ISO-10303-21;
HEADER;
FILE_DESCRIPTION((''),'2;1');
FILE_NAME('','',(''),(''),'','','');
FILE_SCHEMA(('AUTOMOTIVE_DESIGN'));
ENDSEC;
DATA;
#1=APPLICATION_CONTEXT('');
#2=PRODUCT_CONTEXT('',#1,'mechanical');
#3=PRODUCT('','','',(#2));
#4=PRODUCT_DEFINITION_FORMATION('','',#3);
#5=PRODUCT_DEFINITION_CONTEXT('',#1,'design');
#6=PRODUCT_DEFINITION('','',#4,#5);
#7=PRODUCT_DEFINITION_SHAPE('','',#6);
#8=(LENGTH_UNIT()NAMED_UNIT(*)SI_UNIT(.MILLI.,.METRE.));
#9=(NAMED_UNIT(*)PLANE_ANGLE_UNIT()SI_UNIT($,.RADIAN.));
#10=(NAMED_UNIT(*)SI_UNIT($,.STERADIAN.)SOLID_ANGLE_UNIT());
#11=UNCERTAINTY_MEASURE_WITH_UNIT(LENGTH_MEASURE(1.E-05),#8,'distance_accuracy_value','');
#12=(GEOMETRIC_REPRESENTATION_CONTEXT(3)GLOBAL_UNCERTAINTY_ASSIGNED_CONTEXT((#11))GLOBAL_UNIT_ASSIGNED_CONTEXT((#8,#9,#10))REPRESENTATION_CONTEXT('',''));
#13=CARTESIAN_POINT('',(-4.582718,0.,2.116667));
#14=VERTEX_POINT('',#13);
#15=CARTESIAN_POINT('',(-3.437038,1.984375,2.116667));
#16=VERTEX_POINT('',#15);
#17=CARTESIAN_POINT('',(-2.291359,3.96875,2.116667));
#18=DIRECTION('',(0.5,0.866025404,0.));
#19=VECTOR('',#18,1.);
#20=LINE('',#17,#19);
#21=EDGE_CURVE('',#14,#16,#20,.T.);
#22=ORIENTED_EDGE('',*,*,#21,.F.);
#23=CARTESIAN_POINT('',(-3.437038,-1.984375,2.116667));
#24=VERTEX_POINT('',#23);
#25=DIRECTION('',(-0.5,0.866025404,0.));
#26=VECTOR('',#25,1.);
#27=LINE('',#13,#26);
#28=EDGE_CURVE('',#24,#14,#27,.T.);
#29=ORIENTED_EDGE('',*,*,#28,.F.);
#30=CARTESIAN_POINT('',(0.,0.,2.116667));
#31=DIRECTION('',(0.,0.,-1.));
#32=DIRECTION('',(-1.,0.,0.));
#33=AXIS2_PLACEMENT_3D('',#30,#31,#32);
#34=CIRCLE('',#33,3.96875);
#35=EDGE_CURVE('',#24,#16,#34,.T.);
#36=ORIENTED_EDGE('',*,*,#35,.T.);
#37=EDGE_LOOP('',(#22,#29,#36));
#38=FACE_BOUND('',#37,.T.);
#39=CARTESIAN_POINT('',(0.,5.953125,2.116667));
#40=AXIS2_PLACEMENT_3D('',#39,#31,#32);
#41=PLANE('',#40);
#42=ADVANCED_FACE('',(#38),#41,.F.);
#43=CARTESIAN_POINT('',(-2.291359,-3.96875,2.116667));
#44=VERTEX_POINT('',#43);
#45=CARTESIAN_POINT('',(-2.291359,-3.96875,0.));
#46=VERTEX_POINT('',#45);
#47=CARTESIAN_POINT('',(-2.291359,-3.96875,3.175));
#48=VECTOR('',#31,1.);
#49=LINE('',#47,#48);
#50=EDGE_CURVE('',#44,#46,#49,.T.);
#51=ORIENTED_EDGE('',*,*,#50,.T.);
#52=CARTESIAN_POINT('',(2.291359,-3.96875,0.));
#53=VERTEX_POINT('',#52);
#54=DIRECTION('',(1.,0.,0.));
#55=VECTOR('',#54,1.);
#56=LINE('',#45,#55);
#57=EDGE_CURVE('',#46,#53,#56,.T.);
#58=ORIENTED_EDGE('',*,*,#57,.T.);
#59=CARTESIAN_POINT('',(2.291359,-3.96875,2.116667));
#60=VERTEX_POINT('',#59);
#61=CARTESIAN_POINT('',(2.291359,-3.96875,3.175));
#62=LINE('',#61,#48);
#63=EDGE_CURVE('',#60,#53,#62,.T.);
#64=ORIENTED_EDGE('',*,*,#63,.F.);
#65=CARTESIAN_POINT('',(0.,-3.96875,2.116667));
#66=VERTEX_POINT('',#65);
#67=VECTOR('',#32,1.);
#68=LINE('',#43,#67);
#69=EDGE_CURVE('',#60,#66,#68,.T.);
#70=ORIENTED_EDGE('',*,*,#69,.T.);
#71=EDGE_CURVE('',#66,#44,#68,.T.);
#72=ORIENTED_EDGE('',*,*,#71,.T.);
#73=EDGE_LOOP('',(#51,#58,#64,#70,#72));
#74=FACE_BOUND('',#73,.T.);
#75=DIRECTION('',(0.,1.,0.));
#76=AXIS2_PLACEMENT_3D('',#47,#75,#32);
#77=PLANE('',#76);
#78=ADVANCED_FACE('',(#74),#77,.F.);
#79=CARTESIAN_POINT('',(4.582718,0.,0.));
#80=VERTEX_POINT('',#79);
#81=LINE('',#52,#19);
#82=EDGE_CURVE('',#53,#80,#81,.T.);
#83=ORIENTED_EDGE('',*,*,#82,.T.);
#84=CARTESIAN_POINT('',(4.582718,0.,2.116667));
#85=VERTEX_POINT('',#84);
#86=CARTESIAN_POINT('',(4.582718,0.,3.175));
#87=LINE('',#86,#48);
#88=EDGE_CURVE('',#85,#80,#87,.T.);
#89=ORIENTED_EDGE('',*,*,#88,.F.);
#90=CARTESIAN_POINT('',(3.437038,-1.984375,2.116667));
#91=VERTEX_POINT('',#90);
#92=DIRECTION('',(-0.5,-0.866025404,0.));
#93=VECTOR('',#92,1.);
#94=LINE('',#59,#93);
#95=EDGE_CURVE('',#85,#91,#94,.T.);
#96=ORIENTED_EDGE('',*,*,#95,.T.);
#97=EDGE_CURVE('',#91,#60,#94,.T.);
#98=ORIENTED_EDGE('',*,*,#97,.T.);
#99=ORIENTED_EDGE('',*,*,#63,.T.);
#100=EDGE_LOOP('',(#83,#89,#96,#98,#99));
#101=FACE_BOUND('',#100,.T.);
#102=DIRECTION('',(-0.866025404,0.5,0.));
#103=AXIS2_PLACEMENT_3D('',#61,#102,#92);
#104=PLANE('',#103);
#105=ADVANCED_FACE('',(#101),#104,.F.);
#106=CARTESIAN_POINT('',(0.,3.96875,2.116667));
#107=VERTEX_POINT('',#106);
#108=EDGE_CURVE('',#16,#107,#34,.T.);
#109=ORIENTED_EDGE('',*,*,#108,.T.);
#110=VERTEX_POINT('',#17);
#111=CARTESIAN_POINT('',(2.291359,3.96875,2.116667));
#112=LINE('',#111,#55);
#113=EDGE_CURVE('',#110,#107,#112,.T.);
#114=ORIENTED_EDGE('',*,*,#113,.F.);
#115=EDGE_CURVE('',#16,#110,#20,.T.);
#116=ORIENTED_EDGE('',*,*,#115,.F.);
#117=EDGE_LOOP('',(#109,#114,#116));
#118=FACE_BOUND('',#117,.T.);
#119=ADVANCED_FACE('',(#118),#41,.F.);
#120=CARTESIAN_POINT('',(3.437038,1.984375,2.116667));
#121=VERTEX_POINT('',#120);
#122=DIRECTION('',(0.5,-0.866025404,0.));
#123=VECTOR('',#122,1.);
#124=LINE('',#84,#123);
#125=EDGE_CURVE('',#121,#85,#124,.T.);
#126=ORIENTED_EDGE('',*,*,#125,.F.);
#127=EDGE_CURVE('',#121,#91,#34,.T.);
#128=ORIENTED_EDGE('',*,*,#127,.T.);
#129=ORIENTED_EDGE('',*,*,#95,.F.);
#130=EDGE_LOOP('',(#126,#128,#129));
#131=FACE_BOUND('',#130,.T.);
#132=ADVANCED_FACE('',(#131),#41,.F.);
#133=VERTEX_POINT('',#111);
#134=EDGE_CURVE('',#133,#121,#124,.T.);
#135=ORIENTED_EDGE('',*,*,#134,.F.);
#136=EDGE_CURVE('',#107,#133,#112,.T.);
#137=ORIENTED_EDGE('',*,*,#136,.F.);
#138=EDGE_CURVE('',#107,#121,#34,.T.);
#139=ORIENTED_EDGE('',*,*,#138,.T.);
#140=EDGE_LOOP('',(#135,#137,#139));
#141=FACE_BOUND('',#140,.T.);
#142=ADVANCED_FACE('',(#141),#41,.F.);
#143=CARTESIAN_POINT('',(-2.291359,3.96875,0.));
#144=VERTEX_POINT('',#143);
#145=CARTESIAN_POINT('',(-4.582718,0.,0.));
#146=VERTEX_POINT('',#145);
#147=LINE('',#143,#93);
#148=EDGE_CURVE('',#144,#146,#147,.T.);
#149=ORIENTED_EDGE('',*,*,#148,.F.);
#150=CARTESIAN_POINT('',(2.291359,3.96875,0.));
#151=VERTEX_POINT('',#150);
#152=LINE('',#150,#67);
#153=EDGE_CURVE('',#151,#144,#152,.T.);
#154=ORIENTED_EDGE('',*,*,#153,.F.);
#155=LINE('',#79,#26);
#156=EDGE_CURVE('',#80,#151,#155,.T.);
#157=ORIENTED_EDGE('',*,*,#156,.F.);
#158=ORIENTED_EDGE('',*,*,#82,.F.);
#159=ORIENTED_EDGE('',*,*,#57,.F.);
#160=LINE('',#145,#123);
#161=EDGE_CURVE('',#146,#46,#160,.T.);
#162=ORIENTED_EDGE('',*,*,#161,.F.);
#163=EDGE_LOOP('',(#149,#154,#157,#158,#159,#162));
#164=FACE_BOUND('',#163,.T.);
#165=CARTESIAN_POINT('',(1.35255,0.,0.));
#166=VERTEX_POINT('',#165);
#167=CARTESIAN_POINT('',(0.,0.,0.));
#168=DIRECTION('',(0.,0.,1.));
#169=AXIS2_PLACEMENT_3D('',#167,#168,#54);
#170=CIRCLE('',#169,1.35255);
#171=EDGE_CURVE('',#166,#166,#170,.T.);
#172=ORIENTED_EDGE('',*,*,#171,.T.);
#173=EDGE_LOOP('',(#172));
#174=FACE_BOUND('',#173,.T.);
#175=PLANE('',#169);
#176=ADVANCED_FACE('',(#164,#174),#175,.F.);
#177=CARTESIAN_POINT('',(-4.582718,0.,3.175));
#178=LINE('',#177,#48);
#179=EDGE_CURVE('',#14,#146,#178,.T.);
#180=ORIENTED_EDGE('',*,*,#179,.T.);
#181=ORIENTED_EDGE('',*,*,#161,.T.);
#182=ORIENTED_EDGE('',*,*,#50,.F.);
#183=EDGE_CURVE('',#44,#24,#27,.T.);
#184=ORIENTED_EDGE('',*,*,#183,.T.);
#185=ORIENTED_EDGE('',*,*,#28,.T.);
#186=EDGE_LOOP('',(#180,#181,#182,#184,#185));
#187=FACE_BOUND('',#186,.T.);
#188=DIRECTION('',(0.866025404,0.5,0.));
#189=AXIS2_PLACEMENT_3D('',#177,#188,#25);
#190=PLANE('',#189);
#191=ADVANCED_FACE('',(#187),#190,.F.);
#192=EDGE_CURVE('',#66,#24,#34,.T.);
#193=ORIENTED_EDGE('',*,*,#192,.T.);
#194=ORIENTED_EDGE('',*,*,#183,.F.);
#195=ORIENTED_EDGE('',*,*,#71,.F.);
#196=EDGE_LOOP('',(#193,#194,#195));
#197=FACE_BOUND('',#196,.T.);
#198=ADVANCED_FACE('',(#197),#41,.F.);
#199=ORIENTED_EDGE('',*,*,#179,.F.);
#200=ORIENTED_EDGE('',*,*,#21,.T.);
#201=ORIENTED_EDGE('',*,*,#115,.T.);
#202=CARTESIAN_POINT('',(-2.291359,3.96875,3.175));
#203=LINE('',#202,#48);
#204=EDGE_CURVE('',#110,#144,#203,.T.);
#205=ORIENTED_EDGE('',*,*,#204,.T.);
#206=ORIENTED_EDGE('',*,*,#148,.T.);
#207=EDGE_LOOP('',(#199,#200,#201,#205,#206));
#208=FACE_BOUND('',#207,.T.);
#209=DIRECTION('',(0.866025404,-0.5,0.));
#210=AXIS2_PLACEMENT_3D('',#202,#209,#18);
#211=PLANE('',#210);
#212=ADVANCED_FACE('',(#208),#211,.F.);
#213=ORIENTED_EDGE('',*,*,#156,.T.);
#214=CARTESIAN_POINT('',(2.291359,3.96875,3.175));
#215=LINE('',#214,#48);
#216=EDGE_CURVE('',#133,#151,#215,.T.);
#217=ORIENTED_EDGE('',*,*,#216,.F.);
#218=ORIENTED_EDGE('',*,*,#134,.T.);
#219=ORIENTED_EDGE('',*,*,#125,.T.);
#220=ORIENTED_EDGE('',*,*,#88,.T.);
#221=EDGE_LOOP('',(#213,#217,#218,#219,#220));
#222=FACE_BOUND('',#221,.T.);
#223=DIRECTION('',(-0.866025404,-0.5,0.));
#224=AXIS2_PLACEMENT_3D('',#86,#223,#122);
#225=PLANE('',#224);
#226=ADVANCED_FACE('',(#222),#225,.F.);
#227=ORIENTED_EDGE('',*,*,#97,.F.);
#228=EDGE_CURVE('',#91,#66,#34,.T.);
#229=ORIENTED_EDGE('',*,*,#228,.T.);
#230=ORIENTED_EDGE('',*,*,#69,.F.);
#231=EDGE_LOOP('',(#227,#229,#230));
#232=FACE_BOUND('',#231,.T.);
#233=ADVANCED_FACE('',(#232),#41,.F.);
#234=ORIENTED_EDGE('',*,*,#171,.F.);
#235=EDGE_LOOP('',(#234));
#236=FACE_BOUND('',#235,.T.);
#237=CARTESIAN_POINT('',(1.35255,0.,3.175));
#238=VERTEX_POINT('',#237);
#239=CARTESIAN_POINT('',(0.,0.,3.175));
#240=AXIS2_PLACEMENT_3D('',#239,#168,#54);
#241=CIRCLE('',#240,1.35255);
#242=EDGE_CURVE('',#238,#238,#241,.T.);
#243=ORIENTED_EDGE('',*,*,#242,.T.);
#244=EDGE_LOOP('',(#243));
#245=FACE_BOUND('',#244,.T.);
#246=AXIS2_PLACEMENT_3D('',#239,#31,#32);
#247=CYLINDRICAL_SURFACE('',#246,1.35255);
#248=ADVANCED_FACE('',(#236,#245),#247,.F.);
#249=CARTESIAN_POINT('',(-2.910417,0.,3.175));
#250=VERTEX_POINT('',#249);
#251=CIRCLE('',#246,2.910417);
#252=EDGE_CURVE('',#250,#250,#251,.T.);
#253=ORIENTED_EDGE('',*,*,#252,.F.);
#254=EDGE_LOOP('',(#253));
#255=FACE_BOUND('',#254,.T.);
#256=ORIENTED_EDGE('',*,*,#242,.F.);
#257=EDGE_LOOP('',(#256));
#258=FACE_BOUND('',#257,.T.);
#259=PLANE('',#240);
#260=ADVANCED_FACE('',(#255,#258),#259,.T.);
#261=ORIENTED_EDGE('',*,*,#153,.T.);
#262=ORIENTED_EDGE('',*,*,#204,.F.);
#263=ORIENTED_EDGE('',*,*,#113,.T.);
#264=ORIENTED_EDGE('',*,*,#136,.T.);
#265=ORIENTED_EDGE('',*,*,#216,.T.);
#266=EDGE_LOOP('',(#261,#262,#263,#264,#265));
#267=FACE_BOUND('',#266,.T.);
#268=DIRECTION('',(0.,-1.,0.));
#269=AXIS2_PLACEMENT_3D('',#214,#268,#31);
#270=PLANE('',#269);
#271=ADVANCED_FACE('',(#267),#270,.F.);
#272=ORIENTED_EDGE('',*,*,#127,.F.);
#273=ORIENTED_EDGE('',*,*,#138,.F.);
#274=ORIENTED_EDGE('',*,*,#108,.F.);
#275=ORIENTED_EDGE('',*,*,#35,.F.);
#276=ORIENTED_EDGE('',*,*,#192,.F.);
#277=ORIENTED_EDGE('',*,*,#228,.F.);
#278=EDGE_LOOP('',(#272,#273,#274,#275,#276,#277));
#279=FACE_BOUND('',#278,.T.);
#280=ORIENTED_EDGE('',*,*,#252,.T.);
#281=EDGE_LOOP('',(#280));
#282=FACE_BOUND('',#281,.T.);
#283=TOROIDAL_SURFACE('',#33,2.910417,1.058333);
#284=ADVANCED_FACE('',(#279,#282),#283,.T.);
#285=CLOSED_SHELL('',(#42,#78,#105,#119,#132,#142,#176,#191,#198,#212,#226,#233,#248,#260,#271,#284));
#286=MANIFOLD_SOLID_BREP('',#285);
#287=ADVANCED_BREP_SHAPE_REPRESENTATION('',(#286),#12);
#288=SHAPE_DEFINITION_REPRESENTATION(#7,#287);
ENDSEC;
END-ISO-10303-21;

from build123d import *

# Parameters (mm, degrees)
SKETCH1_R           = 1.35255
BOSS_EXTRUDE1_DEPTH = 3.175


with BuildPart() as part:
    # Sketch1 → Boss-Extrude1 (new body)
    with BuildSketch(Plane.XY):
        Polygon((2.291358881, 3.96875), (-2.291358881, 3.96875), (-4.582717762, 0), (-2.291358881, -3.96875), (2.291358881, -3.96875), (4.582717762, 0), align=None)
        Circle(SKETCH1_R, mode=Mode.SUBTRACT)
    extrude(amount=BOSS_EXTRUDE1_DEPTH)

    # Sketch2 → Cut-Revolve2 (revolve, cut)
    with BuildSketch(Plane(origin=(0, 0, 0), x_dir=(0, 0, -1), z_dir=(1, 0, 0))):
        with BuildLine():
            Line((-3.175, 3.96875), (-3.175, 2.910416667))
            ThreePointArc((-3.175, 2.910416667), (-2.865021343, 3.658771343), (-2.116666667, 3.96875))
            Line((-2.116666667, 3.96875), (-2.116666667, 5.953125))
            Line((-2.116666667, 5.953125), (-3.175, 5.953125))
            Line((-3.175, 5.953125), (-3.175, 3.96875))
        make_face()
    revolve(axis=Axis((0, 0, -0.15875), (0, 0, 1)), mode=Mode.SUBTRACT)


solid = part.part
